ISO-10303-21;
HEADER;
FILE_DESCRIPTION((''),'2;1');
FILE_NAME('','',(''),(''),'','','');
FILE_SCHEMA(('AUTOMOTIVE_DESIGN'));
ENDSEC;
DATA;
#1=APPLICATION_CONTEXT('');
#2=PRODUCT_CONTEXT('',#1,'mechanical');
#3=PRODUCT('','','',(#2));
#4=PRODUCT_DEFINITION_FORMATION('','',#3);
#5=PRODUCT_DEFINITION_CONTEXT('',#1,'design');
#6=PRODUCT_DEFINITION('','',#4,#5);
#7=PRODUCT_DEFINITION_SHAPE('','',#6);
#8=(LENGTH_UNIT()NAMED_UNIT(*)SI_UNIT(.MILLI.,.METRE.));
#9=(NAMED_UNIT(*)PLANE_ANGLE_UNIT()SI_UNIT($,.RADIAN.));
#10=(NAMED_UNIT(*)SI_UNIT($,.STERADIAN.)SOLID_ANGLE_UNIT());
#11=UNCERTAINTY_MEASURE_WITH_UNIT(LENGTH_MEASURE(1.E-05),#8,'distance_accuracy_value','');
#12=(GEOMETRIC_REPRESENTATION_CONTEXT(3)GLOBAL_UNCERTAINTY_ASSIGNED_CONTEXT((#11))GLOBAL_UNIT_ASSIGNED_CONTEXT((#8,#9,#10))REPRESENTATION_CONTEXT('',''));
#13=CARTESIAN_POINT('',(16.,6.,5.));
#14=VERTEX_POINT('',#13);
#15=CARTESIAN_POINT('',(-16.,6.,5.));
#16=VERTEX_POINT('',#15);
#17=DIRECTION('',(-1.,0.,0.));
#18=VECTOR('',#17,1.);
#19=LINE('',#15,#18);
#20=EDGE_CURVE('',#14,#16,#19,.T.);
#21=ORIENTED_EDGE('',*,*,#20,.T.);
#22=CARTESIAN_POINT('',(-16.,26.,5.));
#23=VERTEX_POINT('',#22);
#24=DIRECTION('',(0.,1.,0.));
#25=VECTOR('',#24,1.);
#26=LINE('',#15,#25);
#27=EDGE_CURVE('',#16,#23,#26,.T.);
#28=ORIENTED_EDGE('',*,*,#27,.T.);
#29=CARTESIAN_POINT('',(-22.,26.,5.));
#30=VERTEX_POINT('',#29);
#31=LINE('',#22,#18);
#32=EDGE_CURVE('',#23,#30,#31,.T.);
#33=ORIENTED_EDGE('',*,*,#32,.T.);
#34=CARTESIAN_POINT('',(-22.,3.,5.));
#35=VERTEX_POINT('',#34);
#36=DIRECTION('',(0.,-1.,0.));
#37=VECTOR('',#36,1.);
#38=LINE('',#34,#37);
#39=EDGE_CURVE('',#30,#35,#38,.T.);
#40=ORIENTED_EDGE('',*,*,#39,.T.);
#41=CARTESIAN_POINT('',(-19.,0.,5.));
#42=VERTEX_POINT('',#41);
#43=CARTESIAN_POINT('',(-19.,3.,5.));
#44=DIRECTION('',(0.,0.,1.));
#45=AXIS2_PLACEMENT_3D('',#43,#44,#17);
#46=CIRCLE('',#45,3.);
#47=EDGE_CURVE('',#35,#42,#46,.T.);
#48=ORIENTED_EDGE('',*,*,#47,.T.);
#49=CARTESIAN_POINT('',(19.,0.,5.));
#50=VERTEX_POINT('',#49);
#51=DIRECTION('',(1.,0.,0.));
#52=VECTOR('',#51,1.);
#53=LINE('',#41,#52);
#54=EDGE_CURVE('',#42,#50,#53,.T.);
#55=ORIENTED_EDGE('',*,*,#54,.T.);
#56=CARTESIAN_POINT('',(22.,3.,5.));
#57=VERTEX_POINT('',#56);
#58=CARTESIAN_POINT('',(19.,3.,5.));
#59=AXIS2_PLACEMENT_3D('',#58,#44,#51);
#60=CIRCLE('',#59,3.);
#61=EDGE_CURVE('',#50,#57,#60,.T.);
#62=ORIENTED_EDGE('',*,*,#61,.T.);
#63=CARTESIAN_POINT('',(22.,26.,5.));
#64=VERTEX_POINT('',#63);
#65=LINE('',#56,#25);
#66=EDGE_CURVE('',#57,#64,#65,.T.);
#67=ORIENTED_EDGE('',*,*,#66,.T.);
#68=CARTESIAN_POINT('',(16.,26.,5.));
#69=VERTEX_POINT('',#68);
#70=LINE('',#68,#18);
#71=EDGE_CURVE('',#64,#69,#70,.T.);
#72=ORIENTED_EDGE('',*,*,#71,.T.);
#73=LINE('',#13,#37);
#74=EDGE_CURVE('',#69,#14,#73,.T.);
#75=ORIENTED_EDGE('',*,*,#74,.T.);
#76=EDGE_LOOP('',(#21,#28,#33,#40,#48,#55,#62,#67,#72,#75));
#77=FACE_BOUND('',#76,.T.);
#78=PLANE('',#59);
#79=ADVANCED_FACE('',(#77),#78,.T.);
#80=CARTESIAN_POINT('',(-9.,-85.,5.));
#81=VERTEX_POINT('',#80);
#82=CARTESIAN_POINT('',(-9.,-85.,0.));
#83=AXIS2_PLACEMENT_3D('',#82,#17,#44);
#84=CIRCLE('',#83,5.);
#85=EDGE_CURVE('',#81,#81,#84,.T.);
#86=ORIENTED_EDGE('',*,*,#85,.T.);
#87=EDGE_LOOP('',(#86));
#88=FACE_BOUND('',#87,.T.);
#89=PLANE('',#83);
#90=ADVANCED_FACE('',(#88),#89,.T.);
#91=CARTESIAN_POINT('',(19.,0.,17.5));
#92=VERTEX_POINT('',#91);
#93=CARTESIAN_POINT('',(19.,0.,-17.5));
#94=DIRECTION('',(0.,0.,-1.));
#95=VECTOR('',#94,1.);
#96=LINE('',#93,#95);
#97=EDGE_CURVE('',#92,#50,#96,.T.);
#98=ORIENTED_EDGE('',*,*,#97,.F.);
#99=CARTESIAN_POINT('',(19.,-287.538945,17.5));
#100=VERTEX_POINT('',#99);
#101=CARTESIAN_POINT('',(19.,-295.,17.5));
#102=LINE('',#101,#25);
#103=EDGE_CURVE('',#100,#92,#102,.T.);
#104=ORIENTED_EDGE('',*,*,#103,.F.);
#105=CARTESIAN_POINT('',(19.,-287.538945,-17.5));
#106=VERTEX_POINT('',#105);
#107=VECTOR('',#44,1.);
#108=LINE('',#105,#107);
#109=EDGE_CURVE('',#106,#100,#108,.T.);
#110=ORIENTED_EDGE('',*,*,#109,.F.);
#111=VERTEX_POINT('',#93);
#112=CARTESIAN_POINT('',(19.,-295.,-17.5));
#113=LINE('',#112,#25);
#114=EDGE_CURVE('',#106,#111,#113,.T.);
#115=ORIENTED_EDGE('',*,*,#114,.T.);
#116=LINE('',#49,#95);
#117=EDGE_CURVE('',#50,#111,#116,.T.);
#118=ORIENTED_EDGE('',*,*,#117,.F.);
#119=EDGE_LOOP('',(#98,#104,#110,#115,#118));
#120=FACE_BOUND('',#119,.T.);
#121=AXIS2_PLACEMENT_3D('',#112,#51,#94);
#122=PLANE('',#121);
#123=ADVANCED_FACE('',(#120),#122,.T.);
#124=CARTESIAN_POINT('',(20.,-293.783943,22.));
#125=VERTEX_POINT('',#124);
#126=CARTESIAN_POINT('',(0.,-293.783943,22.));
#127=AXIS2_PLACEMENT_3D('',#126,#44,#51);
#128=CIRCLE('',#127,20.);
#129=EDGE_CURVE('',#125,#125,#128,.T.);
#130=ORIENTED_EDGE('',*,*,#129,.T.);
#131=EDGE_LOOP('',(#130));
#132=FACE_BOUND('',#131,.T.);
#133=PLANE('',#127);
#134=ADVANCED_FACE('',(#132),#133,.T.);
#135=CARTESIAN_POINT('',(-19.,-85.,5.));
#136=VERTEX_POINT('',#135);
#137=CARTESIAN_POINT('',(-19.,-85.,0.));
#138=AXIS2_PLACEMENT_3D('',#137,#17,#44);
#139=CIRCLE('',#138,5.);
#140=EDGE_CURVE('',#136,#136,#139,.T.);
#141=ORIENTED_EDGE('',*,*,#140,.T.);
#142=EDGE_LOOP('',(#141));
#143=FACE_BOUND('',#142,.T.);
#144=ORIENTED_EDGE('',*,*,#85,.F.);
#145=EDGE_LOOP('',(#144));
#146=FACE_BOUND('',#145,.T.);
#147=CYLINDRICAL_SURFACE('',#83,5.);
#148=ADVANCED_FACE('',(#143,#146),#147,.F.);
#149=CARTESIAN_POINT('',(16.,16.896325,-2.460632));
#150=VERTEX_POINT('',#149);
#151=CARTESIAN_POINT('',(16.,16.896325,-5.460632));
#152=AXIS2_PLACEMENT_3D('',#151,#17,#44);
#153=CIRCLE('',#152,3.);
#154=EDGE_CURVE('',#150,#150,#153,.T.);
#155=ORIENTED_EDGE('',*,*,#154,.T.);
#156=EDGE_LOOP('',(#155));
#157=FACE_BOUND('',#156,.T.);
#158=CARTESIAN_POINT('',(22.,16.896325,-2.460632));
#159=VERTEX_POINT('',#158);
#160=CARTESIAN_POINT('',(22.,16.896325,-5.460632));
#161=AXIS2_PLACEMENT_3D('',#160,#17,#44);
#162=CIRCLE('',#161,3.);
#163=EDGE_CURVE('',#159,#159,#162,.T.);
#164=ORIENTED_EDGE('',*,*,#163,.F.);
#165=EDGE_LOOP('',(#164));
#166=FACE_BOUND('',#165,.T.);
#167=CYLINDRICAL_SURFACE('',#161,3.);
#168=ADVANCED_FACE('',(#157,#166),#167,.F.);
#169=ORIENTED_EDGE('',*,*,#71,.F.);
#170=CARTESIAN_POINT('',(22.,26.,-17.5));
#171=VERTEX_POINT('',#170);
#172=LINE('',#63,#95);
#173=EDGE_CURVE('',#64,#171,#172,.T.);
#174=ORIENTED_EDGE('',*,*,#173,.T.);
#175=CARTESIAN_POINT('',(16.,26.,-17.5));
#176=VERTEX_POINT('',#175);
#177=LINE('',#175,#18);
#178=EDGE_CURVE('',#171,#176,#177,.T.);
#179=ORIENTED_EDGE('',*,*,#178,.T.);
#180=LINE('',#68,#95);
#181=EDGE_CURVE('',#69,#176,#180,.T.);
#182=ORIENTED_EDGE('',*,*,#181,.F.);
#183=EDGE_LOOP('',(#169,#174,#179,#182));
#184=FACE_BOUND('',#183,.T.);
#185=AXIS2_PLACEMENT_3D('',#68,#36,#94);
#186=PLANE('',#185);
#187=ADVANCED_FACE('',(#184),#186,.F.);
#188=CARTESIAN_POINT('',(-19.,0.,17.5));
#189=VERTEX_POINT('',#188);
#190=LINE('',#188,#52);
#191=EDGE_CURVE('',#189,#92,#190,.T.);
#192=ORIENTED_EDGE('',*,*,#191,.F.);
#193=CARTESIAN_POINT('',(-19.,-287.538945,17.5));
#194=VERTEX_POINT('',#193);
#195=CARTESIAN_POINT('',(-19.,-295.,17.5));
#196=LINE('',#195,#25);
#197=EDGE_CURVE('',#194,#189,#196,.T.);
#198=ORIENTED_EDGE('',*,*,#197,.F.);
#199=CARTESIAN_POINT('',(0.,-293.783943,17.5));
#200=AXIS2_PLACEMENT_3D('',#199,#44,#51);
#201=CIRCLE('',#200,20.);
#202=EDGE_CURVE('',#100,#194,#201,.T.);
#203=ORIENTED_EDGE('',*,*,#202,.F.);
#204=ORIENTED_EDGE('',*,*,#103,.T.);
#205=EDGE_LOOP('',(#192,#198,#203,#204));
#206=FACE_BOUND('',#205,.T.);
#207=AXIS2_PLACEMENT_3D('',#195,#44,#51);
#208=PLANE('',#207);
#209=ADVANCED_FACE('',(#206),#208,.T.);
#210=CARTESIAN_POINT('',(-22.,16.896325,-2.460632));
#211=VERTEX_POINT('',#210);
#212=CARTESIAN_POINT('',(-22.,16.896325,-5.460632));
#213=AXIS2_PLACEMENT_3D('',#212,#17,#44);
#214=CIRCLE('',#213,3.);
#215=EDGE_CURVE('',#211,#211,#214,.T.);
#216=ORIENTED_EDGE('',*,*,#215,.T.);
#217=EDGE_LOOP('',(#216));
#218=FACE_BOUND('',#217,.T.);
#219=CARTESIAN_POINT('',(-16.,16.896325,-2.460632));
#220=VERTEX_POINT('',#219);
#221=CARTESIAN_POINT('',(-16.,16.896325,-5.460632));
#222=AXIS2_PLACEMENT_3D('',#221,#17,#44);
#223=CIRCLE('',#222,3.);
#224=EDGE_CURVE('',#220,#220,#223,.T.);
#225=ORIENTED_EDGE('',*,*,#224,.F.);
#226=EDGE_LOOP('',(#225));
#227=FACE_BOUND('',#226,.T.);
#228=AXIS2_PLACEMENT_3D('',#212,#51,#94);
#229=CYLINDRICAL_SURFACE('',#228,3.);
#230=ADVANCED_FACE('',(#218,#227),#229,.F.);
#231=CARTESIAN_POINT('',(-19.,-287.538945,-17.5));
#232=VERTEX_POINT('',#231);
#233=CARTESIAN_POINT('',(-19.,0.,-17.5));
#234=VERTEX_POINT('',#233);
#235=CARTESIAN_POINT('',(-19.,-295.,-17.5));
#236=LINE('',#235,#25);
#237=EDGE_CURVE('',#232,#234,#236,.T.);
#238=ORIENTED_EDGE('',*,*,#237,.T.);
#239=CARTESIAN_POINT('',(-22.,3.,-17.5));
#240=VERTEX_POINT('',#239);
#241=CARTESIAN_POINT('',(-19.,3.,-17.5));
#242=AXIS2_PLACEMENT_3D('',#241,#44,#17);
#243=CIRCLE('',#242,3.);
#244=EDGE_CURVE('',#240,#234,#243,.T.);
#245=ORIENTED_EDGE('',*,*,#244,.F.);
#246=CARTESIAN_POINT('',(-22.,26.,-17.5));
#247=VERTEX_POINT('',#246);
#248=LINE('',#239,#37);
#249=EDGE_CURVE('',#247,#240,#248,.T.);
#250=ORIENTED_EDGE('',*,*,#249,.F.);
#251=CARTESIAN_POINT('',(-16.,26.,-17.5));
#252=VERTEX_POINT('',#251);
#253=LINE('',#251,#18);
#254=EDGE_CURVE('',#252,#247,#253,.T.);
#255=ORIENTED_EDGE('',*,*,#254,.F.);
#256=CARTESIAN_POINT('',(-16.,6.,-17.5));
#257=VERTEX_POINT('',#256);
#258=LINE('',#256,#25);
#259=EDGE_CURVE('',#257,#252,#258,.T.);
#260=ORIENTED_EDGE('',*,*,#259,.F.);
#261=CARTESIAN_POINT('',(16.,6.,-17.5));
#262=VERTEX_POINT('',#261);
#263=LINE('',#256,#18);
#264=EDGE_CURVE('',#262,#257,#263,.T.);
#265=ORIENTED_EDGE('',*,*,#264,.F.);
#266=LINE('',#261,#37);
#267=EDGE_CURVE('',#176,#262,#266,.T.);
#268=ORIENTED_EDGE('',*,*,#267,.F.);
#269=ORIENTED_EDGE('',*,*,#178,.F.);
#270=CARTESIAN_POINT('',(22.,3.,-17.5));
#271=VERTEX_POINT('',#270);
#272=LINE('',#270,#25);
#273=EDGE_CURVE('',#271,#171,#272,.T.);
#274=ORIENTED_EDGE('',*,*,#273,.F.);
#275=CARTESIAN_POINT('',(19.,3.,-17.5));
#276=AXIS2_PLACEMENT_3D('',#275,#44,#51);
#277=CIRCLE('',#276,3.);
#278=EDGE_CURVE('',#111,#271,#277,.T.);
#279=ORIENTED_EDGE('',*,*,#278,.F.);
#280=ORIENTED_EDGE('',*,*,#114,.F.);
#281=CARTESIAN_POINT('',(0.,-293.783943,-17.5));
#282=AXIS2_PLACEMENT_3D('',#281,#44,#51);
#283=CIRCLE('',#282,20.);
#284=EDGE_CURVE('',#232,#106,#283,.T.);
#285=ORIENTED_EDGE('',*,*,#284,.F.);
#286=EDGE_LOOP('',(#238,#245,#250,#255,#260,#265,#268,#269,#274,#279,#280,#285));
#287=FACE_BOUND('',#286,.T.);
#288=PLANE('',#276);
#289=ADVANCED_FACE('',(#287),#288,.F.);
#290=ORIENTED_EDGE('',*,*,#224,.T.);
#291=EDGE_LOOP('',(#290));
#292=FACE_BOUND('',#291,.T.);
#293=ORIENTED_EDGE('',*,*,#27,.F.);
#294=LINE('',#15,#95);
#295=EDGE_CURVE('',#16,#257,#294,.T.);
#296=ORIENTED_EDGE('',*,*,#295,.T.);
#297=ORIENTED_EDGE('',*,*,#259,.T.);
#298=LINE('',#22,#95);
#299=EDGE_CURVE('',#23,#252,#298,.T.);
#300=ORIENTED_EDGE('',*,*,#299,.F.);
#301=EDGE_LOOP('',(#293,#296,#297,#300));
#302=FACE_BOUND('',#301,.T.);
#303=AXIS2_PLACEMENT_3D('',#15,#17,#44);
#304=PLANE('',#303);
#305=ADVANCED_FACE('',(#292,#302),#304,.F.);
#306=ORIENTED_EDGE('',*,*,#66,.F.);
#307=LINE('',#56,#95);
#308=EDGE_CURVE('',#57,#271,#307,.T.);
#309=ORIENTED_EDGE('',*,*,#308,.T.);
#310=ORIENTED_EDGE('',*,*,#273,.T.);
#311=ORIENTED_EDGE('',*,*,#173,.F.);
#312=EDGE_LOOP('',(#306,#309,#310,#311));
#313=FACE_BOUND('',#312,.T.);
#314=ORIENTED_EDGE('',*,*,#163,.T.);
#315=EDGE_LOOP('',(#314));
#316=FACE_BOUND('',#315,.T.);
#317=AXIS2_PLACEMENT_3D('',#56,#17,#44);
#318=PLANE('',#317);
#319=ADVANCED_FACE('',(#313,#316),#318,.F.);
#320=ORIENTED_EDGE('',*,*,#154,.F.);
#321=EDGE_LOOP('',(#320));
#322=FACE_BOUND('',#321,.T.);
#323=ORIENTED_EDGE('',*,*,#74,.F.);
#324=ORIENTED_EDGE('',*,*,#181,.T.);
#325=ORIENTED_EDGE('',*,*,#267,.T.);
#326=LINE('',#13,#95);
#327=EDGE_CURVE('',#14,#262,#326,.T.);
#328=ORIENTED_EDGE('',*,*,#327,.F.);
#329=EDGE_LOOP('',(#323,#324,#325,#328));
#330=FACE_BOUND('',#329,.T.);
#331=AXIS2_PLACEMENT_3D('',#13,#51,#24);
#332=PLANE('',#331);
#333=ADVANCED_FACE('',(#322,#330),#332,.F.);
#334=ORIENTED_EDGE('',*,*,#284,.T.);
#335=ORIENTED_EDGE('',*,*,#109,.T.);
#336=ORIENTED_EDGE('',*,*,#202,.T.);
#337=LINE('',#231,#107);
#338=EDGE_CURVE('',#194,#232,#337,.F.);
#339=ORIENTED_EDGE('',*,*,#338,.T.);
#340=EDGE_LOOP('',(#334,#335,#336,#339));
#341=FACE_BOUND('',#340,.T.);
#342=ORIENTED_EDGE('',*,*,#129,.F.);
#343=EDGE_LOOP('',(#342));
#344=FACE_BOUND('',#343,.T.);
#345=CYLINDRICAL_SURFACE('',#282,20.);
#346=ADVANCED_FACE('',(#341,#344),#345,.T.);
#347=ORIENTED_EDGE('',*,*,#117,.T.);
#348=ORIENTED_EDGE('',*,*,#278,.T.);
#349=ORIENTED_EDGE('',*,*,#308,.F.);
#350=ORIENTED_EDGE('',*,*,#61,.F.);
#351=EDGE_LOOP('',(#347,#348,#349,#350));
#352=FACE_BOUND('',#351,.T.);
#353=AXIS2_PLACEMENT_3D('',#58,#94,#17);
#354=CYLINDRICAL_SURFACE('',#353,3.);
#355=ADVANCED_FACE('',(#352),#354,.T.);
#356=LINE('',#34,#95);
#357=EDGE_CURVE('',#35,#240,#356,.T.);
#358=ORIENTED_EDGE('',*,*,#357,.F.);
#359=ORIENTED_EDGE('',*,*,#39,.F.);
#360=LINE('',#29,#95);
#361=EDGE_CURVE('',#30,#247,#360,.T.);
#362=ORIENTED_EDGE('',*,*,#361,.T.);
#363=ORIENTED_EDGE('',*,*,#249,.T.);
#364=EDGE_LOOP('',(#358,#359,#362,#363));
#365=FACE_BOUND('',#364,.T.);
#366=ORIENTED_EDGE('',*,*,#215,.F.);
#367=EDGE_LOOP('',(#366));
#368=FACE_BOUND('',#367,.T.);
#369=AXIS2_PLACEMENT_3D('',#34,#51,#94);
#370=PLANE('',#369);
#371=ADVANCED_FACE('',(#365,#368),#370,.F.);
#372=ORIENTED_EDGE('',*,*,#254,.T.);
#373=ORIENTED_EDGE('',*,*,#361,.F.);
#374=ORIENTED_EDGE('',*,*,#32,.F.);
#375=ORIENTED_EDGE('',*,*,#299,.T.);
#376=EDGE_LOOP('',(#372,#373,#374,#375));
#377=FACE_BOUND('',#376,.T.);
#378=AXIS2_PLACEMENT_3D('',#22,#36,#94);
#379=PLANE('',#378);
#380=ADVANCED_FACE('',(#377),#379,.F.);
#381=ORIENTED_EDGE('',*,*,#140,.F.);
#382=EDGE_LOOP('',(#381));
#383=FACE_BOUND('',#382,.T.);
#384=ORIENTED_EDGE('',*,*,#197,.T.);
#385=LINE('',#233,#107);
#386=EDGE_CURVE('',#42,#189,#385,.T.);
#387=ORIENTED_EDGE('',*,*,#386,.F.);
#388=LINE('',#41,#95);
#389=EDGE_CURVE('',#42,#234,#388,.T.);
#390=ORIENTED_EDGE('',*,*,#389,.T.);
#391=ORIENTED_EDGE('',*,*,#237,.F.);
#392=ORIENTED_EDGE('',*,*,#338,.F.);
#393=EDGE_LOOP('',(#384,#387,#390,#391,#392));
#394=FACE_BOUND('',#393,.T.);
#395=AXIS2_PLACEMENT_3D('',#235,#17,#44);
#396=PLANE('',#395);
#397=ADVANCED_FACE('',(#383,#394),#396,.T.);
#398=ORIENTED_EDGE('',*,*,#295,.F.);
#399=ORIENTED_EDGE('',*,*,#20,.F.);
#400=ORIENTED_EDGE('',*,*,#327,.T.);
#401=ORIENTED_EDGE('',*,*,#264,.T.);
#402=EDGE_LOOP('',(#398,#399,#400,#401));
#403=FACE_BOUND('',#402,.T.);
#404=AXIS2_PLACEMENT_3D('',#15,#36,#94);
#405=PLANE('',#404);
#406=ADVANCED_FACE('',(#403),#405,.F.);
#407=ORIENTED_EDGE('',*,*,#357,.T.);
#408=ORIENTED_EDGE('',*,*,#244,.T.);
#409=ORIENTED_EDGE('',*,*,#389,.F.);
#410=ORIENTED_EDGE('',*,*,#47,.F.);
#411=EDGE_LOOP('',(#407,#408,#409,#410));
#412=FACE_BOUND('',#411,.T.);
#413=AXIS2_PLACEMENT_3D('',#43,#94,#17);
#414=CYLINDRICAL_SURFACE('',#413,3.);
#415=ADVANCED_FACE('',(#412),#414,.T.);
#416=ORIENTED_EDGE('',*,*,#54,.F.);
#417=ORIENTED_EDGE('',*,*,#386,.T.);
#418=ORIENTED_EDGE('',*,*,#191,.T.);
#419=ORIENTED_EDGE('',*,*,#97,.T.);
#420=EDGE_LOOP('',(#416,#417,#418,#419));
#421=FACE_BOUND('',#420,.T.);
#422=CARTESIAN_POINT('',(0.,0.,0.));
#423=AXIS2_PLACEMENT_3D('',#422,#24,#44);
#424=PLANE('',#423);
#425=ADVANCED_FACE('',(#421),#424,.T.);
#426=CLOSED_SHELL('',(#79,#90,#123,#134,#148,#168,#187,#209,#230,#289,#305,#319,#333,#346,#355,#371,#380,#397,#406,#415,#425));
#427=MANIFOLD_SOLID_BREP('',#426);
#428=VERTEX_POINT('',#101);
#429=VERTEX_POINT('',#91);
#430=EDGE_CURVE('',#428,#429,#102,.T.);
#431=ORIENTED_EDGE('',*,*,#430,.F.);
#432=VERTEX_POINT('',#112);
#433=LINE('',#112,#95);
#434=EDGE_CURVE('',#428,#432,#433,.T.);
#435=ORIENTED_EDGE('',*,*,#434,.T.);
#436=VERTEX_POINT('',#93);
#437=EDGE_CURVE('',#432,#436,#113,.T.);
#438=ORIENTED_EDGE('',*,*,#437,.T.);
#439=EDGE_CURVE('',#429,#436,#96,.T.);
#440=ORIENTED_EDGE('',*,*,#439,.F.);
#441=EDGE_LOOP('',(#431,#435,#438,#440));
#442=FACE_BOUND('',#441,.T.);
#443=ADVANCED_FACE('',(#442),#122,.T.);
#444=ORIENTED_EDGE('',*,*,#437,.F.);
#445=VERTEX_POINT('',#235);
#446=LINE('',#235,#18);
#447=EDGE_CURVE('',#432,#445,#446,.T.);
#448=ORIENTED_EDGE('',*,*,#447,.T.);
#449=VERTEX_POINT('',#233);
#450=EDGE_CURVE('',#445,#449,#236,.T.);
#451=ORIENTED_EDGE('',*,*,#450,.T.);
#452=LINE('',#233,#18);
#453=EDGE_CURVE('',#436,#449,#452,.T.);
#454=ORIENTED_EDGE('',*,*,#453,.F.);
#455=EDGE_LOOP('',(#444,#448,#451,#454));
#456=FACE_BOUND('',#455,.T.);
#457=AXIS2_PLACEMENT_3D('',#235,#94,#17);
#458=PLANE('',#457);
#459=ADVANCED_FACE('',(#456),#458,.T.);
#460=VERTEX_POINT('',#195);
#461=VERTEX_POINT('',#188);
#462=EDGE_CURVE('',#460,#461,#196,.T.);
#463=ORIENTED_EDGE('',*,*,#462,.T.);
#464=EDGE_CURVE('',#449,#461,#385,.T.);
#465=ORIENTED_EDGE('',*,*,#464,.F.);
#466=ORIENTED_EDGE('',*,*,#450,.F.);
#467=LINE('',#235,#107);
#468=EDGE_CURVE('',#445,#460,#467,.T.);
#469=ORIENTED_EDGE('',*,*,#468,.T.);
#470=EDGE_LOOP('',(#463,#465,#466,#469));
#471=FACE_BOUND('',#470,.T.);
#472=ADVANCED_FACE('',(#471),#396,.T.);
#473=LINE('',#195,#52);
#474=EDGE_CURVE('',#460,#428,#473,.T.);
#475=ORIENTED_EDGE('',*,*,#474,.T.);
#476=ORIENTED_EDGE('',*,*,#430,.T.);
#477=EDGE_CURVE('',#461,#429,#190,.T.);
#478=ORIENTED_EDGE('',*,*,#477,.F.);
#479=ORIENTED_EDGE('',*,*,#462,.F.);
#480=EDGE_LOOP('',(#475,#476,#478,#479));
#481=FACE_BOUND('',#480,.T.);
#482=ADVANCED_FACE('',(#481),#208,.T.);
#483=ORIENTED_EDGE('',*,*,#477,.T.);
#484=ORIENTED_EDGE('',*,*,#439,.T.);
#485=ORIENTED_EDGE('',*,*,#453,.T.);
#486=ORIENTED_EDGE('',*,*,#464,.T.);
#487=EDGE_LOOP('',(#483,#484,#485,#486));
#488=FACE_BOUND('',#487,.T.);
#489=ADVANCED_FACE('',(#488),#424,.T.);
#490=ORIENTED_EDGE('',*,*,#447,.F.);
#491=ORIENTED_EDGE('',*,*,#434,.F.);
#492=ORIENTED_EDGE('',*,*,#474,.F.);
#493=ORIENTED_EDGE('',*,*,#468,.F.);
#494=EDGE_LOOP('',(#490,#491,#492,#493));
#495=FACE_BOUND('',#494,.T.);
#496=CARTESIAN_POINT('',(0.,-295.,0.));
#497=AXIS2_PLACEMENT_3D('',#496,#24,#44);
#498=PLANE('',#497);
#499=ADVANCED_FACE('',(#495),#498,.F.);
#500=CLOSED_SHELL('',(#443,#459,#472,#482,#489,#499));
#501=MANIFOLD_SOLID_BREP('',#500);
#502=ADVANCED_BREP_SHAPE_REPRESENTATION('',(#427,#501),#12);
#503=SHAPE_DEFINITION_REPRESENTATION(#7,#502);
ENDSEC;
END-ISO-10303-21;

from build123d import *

# Parameters (mm, degrees)
SKETCH1_W                = 38
SKETCH1_H                = 35
BOSS_EXTRUDE1_DEPTH      = 295
BOSS_EXTRUDE3_DEPTH      = 5
BOSS_EXTRUDE3_DEPTH_BACK = 17.5
SKETCH1_3_W              = 38
SKETCH1_3_H              = 35
BOSS_EXTRUDE6_DEPTH      = 295
CUT_EXTRUDE1_START       = -6
SKETCH3_R                = 3
CUT_EXTRUDE1_DEPTH       = 6
BOSS_EXTRUDE8_DEPTH      = 22
BOSS_EXTRUDE8_DEPTH_BACK = 17.5
SKETCH5_R                = 20
SKETCH8_R                = 5
CUT_EXTRUDE2_DEPTH       = 10


with BuildPart() as part:
    # Sketch1 → Boss-Extrude1 (new body)
    with BuildSketch(Plane(origin=(0, 0, 0), x_dir=(1, 0, 0), z_dir=(0, 1, 0))):
        Rectangle(SKETCH1_W, SKETCH1_H)
    extrude(amount=-BOSS_EXTRUDE1_DEPTH)


with BuildPart() as body_2:
    # Sketch2 → Boss-Extrude3 (new, two sides: drawn at the far end of the back side and taken through both)
    with BuildSketch(Plane.XY.offset(-BOSS_EXTRUDE3_DEPTH_BACK)):
        with BuildLine():
            Line((-19, 0), (19, 0))
            ThreePointArc((19, 0), (21.121320344, 0.878679656), (22, 3))
            Line((22, 3), (22, 26))
            Line((22, 26), (16, 26))
            Line((16, 26), (16, 6))
            Line((16, 6), (-16, 6))
            Line((-16, 6), (-16, 26))
            Line((-16, 26), (-22, 26))
            Line((-22, 26), (-22, 3))
            ThreePointArc((-22, 3), (-21.121320344, 0.878679656), (-19, 0))
        make_face()
    extrude(amount=BOSS_EXTRUDE3_DEPTH + BOSS_EXTRUDE3_DEPTH_BACK)

    # Sketch1<3> → Boss-Extrude6 (add)
    with BuildSketch(Plane(origin=(0, 0, 0), x_dir=(1, 0, 0), z_dir=(0, 1, 0))):
        Rectangle(SKETCH1_3_W, SKETCH1_3_H)
    extrude(amount=-BOSS_EXTRUDE6_DEPTH)

    # Sketch3 → Cut-Extrude1 (cut)
    with BuildSketch(Plane.ZY.offset(-16).offset(CUT_EXTRUDE1_START)):
        with Locations((-5.46063237, 16.89632523)):
            Circle(SKETCH3_R)
    cut_extrude1 = extrude(amount=CUT_EXTRUDE1_DEPTH, mode=Mode.SUBTRACT)

    # Mirror1: Cut-Extrude1 across plane
    add(cut_extrude1.mirror(Plane(origin=(0, 0, 0), x_dir=(0, 0, 1), z_dir=(1, 0, 0))), mode=Mode.SUBTRACT)

    # Sketch5 → Boss-Extrude8 (add, two sides: drawn at the far end of the back side and taken through both)
    with BuildSketch(Plane.XY.offset(-BOSS_EXTRUDE8_DEPTH_BACK)):
        with Locations((0, -293.783942795)):
            Circle(SKETCH5_R)
    extrude(amount=BOSS_EXTRUDE8_DEPTH + BOSS_EXTRUDE8_DEPTH_BACK)

    # Sketch8 → Cut-Extrude2 (cut)
    with BuildSketch(Plane.ZY.offset(19)):
        with Locations((0, -85)):
            Circle(SKETCH8_R)
    extrude(amount=-CUT_EXTRUDE2_DEPTH, mode=Mode.SUBTRACT)


solid = Compound([part.part, body_2.part])
